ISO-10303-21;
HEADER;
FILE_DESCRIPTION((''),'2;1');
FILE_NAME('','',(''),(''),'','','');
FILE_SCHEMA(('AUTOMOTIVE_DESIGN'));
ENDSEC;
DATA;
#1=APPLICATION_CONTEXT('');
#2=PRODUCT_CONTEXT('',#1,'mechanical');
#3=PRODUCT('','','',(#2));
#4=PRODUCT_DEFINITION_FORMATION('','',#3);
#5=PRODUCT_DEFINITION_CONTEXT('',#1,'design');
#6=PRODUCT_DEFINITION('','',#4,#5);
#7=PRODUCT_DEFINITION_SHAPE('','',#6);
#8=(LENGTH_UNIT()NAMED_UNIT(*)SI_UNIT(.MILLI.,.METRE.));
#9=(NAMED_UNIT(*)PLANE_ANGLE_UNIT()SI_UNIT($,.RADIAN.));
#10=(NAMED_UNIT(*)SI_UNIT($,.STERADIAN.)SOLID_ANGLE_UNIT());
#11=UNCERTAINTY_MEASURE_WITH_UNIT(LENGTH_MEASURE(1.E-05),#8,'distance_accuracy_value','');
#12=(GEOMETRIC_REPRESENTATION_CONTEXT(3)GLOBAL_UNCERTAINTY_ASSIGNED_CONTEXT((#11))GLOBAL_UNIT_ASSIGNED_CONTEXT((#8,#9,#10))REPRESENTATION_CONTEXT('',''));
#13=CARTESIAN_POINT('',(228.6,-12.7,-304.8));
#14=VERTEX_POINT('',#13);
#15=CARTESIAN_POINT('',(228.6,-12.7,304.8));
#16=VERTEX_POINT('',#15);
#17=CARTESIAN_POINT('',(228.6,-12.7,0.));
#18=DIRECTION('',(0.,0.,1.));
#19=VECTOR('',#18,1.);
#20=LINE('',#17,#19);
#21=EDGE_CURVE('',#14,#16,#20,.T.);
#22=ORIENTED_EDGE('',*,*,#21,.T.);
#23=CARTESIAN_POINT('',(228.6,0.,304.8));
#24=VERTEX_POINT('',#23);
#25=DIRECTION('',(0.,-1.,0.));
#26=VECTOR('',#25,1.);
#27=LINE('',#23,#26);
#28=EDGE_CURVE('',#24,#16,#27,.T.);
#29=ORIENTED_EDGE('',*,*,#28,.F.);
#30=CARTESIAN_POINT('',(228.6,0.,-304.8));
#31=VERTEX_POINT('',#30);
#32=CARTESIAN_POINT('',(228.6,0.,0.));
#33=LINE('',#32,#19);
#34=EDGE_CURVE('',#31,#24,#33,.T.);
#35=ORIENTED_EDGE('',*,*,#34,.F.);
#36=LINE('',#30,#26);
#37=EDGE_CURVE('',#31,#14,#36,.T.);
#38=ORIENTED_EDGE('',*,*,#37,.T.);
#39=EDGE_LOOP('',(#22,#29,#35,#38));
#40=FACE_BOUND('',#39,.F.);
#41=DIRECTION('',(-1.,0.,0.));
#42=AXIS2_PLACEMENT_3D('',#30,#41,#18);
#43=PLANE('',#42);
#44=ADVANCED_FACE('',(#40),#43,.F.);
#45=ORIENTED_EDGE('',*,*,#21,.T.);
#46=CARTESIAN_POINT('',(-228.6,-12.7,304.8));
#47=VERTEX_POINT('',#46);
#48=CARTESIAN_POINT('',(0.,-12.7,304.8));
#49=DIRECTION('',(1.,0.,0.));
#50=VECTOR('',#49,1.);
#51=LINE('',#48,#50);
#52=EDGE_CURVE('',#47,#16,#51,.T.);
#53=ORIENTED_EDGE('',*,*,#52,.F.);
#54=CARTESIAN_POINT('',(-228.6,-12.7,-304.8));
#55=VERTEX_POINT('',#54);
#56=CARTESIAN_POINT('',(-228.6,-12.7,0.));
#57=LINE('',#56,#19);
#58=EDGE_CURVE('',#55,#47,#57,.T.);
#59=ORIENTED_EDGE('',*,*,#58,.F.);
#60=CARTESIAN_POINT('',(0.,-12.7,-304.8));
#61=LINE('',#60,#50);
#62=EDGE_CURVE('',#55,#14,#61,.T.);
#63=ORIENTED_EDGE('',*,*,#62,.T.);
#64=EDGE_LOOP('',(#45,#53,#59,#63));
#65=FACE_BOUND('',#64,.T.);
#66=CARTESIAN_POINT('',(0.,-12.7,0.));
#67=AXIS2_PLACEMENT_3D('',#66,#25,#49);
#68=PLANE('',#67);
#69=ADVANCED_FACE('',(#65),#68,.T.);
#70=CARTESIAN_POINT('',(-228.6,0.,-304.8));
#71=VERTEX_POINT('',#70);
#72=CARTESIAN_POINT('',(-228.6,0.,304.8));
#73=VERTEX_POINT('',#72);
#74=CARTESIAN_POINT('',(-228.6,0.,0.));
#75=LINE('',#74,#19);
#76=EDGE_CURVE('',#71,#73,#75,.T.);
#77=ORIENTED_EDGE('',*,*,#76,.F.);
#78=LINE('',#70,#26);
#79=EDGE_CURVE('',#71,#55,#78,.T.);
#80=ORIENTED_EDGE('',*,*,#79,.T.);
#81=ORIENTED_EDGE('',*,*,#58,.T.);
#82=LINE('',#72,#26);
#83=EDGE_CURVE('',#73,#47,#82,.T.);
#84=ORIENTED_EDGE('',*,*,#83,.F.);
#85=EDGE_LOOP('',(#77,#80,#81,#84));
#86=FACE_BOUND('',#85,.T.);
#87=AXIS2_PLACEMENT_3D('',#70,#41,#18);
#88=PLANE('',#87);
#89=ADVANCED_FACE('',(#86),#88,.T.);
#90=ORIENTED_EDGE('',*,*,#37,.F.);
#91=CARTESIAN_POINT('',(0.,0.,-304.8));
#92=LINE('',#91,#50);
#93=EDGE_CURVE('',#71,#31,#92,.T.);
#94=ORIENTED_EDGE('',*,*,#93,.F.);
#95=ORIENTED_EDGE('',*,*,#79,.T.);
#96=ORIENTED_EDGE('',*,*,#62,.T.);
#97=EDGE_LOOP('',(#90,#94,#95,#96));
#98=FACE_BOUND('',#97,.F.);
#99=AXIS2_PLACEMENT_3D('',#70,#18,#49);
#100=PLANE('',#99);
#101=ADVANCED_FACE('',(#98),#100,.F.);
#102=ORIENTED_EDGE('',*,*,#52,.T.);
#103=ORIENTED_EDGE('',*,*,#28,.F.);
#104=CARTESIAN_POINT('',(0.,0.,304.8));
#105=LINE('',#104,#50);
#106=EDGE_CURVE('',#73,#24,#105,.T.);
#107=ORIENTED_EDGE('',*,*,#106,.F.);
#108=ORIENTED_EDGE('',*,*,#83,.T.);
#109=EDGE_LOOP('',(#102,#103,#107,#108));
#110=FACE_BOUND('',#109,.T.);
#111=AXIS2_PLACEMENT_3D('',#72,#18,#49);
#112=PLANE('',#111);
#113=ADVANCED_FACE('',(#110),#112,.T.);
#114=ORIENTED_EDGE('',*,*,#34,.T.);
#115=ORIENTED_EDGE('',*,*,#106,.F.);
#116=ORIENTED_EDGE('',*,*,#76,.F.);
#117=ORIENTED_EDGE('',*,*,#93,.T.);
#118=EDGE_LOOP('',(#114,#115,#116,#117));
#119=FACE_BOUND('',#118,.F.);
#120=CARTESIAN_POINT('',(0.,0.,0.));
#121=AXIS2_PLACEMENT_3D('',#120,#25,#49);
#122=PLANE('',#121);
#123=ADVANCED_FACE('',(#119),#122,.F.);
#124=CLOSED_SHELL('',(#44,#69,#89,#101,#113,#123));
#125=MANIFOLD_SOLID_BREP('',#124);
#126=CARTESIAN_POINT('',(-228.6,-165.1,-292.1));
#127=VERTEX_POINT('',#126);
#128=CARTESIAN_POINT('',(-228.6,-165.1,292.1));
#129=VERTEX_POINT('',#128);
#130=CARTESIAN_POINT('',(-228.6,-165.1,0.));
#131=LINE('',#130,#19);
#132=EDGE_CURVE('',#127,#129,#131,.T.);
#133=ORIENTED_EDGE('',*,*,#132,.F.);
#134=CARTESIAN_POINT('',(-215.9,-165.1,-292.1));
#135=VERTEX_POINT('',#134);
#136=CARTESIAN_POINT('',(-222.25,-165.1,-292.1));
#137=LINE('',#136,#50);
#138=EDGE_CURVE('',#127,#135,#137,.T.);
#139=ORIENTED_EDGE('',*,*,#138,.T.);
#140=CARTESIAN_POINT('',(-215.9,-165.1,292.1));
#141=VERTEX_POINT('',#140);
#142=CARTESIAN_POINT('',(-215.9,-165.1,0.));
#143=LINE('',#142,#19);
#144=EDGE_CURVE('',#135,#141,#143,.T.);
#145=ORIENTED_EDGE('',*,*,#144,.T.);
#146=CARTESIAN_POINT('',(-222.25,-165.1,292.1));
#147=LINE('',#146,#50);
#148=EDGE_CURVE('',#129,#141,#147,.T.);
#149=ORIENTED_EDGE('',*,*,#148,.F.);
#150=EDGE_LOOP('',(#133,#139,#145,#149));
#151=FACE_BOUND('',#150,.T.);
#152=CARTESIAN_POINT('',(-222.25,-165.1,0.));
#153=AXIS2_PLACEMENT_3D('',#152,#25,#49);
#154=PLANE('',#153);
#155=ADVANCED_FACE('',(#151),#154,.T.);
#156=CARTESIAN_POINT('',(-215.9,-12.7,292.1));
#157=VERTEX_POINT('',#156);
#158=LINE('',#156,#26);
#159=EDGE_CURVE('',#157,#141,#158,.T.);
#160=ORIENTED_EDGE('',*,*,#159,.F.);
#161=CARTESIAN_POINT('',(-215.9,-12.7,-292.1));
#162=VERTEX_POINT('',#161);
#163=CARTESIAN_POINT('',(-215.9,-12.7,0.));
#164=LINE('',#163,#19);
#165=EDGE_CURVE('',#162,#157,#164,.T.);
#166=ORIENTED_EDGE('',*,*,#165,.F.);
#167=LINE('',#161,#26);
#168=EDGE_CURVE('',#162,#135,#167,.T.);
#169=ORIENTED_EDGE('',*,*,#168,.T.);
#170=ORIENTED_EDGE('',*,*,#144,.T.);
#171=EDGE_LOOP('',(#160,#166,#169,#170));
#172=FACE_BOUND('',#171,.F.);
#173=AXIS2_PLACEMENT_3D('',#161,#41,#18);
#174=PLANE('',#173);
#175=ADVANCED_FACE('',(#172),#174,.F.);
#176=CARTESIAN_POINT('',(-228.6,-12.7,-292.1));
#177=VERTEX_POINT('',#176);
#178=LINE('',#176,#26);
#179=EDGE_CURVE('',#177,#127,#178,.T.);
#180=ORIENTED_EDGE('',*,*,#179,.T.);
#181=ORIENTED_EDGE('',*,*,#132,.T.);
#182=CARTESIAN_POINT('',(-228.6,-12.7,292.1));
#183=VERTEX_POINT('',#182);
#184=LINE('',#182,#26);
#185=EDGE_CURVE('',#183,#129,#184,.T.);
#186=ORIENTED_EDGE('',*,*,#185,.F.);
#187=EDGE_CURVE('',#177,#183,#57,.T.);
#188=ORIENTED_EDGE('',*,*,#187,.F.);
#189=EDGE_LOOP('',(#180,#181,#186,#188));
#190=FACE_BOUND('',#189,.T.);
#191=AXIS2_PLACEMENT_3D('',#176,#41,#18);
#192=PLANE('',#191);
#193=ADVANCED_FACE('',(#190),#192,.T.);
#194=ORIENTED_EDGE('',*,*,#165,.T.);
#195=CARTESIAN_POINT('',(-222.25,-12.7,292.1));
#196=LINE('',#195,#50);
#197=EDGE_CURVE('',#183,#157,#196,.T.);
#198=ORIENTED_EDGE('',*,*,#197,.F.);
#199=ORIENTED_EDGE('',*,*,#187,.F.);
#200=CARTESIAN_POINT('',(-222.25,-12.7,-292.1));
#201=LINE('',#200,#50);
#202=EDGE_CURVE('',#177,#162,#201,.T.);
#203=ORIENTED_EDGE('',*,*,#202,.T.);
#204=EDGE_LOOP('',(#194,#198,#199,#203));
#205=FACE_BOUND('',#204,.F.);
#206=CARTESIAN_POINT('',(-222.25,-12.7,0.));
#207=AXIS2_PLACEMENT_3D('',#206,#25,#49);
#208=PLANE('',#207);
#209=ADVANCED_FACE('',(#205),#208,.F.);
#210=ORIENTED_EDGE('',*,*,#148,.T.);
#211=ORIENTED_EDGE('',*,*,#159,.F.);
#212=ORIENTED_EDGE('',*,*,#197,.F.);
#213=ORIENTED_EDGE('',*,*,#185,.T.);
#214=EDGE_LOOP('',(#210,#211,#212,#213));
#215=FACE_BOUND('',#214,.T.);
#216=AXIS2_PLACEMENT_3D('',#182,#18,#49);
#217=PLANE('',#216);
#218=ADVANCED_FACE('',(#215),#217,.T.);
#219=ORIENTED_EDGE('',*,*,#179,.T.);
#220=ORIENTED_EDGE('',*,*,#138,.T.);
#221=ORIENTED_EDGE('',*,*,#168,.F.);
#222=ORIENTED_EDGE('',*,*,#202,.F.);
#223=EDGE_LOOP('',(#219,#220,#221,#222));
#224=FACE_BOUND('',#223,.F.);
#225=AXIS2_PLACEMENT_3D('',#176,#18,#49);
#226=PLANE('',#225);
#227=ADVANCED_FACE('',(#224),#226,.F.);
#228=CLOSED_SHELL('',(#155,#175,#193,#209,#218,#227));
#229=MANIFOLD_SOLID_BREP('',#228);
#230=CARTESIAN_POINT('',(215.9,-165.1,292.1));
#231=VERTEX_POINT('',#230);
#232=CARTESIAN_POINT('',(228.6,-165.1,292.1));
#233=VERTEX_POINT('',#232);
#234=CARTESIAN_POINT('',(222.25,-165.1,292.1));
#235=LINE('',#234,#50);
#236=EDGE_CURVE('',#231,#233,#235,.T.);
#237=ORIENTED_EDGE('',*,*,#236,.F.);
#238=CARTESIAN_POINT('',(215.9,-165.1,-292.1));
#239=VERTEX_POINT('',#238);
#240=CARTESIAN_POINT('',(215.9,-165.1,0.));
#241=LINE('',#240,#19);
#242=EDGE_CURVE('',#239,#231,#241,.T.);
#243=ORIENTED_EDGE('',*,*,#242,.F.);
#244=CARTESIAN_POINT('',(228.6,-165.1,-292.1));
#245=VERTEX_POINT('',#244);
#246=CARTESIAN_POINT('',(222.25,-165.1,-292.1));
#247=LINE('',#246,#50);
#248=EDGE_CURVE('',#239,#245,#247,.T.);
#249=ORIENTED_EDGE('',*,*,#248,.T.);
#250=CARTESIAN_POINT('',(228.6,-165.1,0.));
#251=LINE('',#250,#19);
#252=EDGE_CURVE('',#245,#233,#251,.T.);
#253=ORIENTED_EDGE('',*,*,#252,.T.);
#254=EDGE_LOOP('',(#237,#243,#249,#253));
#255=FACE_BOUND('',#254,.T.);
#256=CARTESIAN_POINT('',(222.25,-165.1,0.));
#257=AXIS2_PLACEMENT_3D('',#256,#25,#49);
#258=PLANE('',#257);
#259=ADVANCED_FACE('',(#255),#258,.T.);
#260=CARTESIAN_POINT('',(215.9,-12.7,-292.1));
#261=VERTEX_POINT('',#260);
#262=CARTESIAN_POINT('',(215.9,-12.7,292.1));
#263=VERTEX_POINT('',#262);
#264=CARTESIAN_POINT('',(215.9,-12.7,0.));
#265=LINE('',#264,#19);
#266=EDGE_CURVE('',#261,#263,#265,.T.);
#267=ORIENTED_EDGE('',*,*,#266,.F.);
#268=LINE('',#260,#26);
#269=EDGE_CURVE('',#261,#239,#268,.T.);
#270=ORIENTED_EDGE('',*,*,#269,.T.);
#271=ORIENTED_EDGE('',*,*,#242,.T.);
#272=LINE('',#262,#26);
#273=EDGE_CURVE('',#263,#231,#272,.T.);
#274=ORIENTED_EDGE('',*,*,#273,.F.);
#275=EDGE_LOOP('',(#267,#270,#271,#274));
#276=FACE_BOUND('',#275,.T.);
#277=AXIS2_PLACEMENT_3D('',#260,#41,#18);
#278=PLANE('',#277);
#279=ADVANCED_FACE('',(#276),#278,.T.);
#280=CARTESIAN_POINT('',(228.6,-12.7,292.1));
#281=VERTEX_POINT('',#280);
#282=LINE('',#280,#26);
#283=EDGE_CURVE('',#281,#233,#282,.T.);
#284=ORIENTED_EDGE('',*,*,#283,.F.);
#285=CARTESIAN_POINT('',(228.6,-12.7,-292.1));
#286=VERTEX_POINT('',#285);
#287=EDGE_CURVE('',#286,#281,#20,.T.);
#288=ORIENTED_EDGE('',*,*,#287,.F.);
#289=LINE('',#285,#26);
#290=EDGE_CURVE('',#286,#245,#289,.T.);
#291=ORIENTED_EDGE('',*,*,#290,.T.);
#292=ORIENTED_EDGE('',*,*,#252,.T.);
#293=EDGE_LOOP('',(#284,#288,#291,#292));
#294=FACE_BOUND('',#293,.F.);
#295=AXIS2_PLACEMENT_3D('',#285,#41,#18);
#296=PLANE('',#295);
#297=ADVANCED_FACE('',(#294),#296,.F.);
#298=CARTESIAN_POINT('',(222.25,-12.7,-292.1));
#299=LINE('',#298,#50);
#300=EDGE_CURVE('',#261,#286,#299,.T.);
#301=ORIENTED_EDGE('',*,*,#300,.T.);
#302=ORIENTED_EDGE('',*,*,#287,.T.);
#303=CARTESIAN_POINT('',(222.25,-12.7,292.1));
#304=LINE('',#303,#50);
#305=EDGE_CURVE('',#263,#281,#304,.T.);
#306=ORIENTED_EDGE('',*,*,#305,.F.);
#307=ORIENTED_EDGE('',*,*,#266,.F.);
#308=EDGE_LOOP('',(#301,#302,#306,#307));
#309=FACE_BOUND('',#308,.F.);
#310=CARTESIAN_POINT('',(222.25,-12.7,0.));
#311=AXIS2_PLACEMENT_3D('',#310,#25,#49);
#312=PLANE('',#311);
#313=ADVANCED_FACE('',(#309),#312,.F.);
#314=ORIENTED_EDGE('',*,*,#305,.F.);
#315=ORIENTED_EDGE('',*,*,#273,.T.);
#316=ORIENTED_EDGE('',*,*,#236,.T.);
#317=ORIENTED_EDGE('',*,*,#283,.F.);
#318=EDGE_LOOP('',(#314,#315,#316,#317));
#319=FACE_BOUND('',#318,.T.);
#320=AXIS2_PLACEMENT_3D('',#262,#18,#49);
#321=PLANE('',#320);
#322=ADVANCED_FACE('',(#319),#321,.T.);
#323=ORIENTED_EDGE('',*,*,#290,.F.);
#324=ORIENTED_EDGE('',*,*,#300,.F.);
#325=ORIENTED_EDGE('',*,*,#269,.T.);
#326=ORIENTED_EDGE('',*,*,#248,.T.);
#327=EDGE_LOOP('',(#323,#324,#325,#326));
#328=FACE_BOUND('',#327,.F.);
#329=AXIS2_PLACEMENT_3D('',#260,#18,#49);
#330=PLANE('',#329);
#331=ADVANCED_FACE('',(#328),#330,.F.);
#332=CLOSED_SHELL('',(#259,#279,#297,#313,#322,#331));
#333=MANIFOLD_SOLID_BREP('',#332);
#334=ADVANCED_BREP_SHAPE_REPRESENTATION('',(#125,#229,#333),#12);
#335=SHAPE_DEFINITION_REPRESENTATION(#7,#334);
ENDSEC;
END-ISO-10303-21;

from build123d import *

# Parameters (mm, degrees)
F0_W     = 457.2
F0_H     = 609.6
F1_DEPTH = 12.7
F2_W     = 12.7
F2_H     = 584.2
F3_DEPTH = 152.4


with BuildPart() as f1:
    # F0 (on Front) → F1 (new body)
    with BuildSketch(Plane.XZ):
        Rectangle(F0_W, F0_H)
    extrude(amount=F1_DEPTH)


with BuildPart() as f3:
    # F2 (on face) → F3 (new body)
    with BuildSketch(Plane.XZ.offset(12.7)):
        with Locations((-222.25, 0)):
            Rectangle(F2_W, F2_H)
        with Locations((222.25, 0)):
            Rectangle(F2_W, F2_H)
    extrude(amount=F3_DEPTH)


solid = Compound([f1.part, f3.part])
